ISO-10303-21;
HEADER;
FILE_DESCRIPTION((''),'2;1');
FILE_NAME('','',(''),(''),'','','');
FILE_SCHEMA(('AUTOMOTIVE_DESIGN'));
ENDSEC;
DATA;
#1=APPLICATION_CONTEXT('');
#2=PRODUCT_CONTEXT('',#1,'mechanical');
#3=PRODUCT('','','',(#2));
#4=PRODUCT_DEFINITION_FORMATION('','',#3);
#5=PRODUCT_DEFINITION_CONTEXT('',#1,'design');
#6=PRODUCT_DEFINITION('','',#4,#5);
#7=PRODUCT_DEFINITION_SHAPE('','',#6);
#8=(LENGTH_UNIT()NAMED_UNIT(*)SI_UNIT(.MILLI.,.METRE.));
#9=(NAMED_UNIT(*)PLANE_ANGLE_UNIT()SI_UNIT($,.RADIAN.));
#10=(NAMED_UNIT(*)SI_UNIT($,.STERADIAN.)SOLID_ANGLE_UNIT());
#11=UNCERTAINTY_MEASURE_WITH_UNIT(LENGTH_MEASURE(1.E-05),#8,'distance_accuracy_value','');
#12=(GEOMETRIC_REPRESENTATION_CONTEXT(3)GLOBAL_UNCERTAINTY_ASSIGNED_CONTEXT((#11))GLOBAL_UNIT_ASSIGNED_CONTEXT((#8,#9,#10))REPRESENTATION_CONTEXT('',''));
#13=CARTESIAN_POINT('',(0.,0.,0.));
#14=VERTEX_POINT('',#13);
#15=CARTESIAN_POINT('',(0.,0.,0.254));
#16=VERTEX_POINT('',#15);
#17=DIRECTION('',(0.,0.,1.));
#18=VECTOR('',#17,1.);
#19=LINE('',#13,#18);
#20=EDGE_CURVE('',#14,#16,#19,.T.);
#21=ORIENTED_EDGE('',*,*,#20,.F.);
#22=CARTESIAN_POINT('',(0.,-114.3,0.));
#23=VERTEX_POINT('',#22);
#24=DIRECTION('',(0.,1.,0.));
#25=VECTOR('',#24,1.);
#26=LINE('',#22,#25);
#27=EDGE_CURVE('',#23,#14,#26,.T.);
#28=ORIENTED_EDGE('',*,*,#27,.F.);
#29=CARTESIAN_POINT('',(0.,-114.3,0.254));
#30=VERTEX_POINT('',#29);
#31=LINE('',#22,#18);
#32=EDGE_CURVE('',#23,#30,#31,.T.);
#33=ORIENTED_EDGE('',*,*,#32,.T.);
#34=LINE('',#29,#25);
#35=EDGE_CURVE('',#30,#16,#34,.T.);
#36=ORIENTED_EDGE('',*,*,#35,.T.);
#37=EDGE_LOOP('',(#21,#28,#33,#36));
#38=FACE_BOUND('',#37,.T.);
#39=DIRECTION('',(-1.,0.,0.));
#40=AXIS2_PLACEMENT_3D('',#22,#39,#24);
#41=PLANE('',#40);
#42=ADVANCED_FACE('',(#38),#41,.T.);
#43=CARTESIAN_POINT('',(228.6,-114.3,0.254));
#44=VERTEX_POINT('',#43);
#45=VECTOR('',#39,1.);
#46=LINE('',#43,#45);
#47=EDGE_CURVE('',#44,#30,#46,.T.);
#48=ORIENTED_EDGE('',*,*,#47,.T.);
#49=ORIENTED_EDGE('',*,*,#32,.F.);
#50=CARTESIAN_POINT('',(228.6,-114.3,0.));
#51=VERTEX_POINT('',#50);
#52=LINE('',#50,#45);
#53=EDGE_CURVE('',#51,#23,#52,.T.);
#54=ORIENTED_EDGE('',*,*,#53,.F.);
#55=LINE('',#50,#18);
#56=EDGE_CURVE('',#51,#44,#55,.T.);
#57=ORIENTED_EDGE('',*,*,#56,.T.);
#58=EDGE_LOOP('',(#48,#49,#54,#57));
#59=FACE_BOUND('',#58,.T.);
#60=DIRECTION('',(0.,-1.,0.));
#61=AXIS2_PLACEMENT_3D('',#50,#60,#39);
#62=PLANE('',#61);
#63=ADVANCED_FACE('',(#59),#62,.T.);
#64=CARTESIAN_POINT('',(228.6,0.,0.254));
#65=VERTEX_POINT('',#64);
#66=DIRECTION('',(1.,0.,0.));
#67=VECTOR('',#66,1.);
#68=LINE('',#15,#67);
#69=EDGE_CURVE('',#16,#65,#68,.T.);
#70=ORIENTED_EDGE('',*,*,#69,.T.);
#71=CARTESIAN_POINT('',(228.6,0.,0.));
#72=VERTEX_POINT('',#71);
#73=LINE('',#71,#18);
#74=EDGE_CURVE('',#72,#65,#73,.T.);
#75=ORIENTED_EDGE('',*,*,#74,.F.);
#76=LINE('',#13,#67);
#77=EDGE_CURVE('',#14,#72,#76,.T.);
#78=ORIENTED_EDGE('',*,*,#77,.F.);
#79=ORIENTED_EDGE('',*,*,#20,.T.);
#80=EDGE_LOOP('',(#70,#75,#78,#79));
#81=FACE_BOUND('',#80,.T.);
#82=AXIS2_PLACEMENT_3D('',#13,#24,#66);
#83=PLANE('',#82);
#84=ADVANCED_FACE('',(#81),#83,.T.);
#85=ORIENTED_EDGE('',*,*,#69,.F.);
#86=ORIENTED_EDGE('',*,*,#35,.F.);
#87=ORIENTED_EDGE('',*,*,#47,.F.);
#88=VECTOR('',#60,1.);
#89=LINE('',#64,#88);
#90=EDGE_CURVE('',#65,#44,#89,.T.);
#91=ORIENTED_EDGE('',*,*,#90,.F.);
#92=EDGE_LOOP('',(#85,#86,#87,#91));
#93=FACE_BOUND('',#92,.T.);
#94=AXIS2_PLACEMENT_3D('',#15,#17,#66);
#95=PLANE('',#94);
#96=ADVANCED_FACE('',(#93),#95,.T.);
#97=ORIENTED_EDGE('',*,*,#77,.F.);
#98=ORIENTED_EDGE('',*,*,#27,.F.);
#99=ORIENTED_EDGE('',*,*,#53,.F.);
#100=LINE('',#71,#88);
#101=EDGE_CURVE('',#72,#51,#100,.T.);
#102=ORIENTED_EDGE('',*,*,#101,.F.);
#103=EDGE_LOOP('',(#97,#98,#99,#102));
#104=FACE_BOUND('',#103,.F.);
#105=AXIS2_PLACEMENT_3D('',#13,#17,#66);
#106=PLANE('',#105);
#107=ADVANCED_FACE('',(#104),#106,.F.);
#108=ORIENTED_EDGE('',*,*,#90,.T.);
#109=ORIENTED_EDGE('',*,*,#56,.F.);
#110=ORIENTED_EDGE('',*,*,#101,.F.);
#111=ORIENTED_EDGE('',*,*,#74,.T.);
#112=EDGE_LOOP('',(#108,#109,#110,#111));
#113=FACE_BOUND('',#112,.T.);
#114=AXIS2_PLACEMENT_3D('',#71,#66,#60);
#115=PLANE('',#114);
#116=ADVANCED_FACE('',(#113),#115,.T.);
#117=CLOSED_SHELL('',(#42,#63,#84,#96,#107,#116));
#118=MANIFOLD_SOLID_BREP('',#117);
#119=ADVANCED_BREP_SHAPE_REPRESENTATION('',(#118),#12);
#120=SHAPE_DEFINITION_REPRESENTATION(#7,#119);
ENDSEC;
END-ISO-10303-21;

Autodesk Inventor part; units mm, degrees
ref_plane "YZ Plane" through (0, 0, 0) normal (1, 0, 0) x (0, 1, 0)
ref_plane "XZ Plane" through (0, 0, 0) normal (0, 1, 0) x (-1, 0, 0)
ref_plane "XY Plane" through (0, 0, 0) normal (0, 0, 1) x (1, 0, 0)
sketch "Sketch1" plane through (0, 0, 0) normal (0, 0, 1) x (1, 0, 0)
  line L0 (0, 0) -> (228.6, 0)
  line L1 (228.6, 0) -> (228.6, -114.3)
  line L2 (228.6, -114.3) -> (0, -114.3)
  line L3 (0, -114.3) -> (0, 0)
  dimension "d1" = 228.6
extrude "Extrusion1" add sketch "Sketch1" along normal blind 0.254
properties part number "MAIN CNTRL_v02 Top"
